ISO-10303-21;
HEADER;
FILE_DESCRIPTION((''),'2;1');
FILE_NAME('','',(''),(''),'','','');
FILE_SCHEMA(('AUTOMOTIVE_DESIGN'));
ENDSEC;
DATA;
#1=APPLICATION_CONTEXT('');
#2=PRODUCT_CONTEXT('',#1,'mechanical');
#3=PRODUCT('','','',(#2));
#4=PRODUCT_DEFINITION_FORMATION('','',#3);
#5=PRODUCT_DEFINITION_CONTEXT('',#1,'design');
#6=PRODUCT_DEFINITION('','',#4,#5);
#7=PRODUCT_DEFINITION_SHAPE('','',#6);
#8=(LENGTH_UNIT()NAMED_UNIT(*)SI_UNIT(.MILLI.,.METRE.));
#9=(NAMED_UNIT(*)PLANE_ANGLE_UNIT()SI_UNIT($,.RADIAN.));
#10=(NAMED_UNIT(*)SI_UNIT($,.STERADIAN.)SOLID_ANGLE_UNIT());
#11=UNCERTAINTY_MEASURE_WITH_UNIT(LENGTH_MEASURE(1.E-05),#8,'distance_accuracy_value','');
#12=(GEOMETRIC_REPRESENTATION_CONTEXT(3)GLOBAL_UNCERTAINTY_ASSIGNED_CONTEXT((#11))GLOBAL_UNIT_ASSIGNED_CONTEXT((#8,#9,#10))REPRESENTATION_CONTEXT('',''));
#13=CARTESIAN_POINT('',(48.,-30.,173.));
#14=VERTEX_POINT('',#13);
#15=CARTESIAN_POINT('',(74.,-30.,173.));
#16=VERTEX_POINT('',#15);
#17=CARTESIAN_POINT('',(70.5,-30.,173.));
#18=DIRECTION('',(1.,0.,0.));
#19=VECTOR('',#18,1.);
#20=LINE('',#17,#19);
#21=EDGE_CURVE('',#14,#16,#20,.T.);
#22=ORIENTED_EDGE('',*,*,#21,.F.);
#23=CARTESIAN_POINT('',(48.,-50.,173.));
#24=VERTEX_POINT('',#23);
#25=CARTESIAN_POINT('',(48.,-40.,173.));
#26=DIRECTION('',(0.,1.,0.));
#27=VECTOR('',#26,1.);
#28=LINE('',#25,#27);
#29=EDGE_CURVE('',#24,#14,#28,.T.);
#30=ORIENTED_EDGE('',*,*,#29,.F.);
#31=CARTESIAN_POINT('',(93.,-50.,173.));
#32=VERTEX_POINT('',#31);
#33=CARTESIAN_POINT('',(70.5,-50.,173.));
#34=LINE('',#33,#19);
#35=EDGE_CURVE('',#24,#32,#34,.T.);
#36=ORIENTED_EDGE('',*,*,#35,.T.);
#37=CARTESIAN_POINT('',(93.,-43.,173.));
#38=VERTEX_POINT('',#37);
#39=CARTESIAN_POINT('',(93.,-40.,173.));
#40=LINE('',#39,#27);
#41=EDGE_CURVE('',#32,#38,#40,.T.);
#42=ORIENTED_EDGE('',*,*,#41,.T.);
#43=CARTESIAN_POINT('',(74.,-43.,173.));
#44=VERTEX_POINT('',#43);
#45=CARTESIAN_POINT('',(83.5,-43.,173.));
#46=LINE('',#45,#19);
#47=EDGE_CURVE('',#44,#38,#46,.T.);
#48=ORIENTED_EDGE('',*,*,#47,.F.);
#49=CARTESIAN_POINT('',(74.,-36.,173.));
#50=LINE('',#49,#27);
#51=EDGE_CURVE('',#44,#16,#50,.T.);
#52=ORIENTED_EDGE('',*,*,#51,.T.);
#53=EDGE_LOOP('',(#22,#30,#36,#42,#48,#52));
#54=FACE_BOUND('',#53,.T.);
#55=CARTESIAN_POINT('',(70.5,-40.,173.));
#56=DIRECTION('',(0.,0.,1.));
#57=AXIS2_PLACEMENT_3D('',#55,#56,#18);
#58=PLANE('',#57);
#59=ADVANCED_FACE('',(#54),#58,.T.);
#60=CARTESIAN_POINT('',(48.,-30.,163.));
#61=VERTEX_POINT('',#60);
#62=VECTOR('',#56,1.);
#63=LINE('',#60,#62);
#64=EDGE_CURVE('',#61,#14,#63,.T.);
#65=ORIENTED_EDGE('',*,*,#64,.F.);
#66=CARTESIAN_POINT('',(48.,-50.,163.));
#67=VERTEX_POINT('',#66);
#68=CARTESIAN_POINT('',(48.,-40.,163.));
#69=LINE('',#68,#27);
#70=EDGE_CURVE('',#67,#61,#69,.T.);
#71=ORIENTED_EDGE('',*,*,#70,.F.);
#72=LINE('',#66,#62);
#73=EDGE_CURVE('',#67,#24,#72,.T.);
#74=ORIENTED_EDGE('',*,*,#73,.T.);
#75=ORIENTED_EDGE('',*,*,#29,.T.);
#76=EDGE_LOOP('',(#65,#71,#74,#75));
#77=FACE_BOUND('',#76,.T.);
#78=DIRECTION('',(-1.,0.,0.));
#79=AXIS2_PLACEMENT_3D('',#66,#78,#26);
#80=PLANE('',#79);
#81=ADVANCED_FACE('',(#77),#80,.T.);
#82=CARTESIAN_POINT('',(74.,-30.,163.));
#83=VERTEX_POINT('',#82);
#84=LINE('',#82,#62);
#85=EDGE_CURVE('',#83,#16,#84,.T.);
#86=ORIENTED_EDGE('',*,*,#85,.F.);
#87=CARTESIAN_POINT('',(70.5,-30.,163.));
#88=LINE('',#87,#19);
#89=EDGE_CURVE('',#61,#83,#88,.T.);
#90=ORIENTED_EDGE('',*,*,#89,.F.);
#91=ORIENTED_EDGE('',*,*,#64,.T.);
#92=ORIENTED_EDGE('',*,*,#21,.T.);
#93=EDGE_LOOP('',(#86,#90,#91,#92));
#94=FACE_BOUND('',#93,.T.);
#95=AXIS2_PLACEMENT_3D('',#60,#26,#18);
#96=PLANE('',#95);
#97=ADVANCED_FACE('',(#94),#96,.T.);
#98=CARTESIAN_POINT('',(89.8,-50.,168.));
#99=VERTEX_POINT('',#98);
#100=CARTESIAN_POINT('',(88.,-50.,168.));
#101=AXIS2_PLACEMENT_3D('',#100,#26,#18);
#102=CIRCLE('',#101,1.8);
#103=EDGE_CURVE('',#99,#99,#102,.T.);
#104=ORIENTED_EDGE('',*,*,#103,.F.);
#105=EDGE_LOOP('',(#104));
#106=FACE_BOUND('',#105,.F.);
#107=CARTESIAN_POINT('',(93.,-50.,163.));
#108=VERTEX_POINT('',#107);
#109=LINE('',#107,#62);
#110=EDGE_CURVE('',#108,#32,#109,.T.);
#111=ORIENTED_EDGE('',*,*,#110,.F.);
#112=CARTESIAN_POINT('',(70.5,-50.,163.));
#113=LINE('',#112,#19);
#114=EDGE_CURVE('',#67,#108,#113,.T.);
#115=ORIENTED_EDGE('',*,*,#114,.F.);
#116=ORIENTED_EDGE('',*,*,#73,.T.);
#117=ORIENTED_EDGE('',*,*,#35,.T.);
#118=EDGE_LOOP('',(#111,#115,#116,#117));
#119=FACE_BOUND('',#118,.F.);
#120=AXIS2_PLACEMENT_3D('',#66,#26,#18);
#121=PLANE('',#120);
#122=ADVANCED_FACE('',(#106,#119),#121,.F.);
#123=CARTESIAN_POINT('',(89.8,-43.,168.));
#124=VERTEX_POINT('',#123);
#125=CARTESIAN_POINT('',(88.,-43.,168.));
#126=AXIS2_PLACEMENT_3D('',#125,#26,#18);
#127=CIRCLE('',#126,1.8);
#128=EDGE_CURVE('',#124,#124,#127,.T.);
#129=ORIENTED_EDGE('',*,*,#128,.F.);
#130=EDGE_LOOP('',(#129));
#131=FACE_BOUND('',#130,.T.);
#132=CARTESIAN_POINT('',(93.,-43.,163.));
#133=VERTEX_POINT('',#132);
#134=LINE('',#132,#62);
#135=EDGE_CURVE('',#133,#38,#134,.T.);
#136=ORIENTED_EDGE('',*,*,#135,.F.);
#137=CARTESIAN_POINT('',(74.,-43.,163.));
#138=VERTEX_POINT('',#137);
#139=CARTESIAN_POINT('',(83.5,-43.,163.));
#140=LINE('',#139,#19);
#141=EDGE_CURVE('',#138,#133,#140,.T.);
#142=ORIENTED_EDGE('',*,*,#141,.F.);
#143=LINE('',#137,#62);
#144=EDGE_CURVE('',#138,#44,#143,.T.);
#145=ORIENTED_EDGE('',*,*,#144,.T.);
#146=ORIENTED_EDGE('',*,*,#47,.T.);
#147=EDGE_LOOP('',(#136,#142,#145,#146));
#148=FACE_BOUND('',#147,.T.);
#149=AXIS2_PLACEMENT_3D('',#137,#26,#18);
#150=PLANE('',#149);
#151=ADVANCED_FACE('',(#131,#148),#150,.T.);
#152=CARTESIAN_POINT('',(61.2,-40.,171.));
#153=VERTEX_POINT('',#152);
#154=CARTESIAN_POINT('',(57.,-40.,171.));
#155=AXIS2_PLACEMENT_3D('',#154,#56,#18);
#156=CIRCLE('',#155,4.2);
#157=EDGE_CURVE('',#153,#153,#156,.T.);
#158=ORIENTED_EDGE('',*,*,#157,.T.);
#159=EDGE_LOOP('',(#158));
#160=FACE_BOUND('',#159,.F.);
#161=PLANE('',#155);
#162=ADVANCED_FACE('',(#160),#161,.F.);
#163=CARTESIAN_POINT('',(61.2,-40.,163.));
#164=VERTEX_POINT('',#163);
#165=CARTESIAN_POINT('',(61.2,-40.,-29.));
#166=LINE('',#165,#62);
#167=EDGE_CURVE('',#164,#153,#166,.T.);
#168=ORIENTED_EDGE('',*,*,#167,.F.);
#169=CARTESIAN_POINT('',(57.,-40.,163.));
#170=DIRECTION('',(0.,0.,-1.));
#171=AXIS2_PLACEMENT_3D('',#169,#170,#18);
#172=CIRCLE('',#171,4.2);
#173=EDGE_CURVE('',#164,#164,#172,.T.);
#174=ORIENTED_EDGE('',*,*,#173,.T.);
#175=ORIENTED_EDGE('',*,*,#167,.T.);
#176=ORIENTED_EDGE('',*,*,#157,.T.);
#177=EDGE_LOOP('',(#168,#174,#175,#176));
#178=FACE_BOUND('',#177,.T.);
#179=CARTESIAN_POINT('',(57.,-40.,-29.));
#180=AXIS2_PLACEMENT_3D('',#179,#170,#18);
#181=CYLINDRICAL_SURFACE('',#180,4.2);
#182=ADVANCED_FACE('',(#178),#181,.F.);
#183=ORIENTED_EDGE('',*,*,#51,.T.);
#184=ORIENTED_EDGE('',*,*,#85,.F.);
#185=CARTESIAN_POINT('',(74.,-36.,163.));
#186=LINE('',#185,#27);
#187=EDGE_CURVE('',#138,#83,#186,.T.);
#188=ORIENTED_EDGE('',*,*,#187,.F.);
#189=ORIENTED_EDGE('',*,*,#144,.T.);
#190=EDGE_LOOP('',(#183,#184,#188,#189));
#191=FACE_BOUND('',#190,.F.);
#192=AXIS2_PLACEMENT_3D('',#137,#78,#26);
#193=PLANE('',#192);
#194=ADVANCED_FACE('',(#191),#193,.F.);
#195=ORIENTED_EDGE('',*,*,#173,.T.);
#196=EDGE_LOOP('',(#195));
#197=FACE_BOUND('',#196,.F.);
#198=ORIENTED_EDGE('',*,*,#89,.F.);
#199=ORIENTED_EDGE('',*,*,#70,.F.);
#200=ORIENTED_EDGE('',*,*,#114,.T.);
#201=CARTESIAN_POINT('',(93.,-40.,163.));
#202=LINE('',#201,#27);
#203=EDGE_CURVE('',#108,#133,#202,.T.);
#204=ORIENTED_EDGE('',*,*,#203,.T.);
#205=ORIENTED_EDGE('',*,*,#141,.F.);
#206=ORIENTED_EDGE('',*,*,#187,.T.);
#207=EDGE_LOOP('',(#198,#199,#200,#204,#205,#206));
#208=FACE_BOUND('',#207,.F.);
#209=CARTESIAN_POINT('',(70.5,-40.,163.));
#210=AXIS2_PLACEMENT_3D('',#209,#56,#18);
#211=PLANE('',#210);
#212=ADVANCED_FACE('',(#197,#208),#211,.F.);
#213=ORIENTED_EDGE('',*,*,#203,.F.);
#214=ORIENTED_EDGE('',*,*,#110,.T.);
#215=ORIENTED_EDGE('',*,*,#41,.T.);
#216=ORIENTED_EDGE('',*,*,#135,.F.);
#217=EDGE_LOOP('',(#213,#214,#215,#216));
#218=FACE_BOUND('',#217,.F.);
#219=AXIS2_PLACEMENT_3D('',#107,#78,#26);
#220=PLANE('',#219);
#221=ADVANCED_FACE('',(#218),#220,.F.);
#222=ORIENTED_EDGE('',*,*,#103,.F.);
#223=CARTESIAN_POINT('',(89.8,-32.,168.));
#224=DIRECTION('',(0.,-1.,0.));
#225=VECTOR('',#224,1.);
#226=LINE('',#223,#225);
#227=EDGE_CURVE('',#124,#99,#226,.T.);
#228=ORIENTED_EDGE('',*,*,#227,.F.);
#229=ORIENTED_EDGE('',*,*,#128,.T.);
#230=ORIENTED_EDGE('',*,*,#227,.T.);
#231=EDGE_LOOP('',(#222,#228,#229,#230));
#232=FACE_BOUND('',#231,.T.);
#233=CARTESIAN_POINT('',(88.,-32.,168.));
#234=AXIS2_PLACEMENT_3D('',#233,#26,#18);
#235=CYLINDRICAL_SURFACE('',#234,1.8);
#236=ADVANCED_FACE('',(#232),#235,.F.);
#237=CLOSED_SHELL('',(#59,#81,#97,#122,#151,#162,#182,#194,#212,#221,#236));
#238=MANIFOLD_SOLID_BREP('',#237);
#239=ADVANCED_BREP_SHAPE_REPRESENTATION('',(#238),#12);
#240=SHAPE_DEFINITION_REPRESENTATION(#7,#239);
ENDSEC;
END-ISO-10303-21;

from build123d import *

# Parameters (mm, degrees)
CYLINDER040_R          = 4.2
CYLINDER040_DEPTH      = 200
CYLINDER037_R          = 1.8
CYLINDER037_DEPTH      = 21
CYLINDER037_ROLL_ANGLE = 90
BOX009_W               = 19
BOX009_H               = 14
BOX009_DEPTH           = 10
BOX008_W               = 45
BOX008_H               = 20
BOX008_DEPTH           = 10


with BuildPart() as cilindro037:
    # Cylinder040 → Cylinder040 (new body)
    with BuildSketch(Plane(origin=(57, -40, -29), x_dir=(1, 0, 0), z_dir=(0, 0, 1))):
        Circle(CYLINDER040_R)
    extrude(amount=CYLINDER040_DEPTH)


with BuildPart() as cilindro034:
    # Cylinder037 → Cylinder037 (new body)
    with BuildSketch(Plane.XY):
        Circle(CYLINDER037_R)
    extrude(amount=CYLINDER037_DEPTH)


with BuildPart() as cilindro034_1:
    # Cylinder037 roll: moved
    add(cilindro034.part.rotate(Axis((0, 0, 0), (1, 0, 0)), CYLINDER037_ROLL_ANGLE))


with BuildPart() as cilindro034_2:
    # Cylinder037 placement: moved
    add(cilindro034_1.part.moved(Location((88, -32, 22))))


with BuildPart() as cubo009:
    # Box009 → Box009 (new body)
    with BuildSketch(Plane(origin=(74, -43, 17), x_dir=(1, 0, 0), z_dir=(0, 0, 1))):
        with Locations((9.5, 7)):
            Rectangle(BOX009_W, BOX009_H)
    extrude(amount=BOX009_DEPTH)


with BuildPart() as parte_superior:
    # Box008 → Box008 (new body)
    with BuildSketch(Plane(origin=(48, -50, 17), x_dir=(1, 0, 0), z_dir=(0, 0, 1))):
        with Locations((22.5, 10)):
            Rectangle(BOX008_W, BOX008_H)
    extrude(amount=BOX008_DEPTH)

    # Cut037: cut Cubo009
    add(cubo009.part, mode=Mode.SUBTRACT)

    # Cut038: cut Cilindro034
    add(cilindro034_2.part, mode=Mode.SUBTRACT)


with BuildPart() as parte_superior_1:
    # Cut038 placement: moved
    add(parte_superior.part.moved(Location((0, 0, 146))))

    # Cut039: cut Cilindro037
    add(cilindro037.part, mode=Mode.SUBTRACT)


solid = parte_superior_1.part
